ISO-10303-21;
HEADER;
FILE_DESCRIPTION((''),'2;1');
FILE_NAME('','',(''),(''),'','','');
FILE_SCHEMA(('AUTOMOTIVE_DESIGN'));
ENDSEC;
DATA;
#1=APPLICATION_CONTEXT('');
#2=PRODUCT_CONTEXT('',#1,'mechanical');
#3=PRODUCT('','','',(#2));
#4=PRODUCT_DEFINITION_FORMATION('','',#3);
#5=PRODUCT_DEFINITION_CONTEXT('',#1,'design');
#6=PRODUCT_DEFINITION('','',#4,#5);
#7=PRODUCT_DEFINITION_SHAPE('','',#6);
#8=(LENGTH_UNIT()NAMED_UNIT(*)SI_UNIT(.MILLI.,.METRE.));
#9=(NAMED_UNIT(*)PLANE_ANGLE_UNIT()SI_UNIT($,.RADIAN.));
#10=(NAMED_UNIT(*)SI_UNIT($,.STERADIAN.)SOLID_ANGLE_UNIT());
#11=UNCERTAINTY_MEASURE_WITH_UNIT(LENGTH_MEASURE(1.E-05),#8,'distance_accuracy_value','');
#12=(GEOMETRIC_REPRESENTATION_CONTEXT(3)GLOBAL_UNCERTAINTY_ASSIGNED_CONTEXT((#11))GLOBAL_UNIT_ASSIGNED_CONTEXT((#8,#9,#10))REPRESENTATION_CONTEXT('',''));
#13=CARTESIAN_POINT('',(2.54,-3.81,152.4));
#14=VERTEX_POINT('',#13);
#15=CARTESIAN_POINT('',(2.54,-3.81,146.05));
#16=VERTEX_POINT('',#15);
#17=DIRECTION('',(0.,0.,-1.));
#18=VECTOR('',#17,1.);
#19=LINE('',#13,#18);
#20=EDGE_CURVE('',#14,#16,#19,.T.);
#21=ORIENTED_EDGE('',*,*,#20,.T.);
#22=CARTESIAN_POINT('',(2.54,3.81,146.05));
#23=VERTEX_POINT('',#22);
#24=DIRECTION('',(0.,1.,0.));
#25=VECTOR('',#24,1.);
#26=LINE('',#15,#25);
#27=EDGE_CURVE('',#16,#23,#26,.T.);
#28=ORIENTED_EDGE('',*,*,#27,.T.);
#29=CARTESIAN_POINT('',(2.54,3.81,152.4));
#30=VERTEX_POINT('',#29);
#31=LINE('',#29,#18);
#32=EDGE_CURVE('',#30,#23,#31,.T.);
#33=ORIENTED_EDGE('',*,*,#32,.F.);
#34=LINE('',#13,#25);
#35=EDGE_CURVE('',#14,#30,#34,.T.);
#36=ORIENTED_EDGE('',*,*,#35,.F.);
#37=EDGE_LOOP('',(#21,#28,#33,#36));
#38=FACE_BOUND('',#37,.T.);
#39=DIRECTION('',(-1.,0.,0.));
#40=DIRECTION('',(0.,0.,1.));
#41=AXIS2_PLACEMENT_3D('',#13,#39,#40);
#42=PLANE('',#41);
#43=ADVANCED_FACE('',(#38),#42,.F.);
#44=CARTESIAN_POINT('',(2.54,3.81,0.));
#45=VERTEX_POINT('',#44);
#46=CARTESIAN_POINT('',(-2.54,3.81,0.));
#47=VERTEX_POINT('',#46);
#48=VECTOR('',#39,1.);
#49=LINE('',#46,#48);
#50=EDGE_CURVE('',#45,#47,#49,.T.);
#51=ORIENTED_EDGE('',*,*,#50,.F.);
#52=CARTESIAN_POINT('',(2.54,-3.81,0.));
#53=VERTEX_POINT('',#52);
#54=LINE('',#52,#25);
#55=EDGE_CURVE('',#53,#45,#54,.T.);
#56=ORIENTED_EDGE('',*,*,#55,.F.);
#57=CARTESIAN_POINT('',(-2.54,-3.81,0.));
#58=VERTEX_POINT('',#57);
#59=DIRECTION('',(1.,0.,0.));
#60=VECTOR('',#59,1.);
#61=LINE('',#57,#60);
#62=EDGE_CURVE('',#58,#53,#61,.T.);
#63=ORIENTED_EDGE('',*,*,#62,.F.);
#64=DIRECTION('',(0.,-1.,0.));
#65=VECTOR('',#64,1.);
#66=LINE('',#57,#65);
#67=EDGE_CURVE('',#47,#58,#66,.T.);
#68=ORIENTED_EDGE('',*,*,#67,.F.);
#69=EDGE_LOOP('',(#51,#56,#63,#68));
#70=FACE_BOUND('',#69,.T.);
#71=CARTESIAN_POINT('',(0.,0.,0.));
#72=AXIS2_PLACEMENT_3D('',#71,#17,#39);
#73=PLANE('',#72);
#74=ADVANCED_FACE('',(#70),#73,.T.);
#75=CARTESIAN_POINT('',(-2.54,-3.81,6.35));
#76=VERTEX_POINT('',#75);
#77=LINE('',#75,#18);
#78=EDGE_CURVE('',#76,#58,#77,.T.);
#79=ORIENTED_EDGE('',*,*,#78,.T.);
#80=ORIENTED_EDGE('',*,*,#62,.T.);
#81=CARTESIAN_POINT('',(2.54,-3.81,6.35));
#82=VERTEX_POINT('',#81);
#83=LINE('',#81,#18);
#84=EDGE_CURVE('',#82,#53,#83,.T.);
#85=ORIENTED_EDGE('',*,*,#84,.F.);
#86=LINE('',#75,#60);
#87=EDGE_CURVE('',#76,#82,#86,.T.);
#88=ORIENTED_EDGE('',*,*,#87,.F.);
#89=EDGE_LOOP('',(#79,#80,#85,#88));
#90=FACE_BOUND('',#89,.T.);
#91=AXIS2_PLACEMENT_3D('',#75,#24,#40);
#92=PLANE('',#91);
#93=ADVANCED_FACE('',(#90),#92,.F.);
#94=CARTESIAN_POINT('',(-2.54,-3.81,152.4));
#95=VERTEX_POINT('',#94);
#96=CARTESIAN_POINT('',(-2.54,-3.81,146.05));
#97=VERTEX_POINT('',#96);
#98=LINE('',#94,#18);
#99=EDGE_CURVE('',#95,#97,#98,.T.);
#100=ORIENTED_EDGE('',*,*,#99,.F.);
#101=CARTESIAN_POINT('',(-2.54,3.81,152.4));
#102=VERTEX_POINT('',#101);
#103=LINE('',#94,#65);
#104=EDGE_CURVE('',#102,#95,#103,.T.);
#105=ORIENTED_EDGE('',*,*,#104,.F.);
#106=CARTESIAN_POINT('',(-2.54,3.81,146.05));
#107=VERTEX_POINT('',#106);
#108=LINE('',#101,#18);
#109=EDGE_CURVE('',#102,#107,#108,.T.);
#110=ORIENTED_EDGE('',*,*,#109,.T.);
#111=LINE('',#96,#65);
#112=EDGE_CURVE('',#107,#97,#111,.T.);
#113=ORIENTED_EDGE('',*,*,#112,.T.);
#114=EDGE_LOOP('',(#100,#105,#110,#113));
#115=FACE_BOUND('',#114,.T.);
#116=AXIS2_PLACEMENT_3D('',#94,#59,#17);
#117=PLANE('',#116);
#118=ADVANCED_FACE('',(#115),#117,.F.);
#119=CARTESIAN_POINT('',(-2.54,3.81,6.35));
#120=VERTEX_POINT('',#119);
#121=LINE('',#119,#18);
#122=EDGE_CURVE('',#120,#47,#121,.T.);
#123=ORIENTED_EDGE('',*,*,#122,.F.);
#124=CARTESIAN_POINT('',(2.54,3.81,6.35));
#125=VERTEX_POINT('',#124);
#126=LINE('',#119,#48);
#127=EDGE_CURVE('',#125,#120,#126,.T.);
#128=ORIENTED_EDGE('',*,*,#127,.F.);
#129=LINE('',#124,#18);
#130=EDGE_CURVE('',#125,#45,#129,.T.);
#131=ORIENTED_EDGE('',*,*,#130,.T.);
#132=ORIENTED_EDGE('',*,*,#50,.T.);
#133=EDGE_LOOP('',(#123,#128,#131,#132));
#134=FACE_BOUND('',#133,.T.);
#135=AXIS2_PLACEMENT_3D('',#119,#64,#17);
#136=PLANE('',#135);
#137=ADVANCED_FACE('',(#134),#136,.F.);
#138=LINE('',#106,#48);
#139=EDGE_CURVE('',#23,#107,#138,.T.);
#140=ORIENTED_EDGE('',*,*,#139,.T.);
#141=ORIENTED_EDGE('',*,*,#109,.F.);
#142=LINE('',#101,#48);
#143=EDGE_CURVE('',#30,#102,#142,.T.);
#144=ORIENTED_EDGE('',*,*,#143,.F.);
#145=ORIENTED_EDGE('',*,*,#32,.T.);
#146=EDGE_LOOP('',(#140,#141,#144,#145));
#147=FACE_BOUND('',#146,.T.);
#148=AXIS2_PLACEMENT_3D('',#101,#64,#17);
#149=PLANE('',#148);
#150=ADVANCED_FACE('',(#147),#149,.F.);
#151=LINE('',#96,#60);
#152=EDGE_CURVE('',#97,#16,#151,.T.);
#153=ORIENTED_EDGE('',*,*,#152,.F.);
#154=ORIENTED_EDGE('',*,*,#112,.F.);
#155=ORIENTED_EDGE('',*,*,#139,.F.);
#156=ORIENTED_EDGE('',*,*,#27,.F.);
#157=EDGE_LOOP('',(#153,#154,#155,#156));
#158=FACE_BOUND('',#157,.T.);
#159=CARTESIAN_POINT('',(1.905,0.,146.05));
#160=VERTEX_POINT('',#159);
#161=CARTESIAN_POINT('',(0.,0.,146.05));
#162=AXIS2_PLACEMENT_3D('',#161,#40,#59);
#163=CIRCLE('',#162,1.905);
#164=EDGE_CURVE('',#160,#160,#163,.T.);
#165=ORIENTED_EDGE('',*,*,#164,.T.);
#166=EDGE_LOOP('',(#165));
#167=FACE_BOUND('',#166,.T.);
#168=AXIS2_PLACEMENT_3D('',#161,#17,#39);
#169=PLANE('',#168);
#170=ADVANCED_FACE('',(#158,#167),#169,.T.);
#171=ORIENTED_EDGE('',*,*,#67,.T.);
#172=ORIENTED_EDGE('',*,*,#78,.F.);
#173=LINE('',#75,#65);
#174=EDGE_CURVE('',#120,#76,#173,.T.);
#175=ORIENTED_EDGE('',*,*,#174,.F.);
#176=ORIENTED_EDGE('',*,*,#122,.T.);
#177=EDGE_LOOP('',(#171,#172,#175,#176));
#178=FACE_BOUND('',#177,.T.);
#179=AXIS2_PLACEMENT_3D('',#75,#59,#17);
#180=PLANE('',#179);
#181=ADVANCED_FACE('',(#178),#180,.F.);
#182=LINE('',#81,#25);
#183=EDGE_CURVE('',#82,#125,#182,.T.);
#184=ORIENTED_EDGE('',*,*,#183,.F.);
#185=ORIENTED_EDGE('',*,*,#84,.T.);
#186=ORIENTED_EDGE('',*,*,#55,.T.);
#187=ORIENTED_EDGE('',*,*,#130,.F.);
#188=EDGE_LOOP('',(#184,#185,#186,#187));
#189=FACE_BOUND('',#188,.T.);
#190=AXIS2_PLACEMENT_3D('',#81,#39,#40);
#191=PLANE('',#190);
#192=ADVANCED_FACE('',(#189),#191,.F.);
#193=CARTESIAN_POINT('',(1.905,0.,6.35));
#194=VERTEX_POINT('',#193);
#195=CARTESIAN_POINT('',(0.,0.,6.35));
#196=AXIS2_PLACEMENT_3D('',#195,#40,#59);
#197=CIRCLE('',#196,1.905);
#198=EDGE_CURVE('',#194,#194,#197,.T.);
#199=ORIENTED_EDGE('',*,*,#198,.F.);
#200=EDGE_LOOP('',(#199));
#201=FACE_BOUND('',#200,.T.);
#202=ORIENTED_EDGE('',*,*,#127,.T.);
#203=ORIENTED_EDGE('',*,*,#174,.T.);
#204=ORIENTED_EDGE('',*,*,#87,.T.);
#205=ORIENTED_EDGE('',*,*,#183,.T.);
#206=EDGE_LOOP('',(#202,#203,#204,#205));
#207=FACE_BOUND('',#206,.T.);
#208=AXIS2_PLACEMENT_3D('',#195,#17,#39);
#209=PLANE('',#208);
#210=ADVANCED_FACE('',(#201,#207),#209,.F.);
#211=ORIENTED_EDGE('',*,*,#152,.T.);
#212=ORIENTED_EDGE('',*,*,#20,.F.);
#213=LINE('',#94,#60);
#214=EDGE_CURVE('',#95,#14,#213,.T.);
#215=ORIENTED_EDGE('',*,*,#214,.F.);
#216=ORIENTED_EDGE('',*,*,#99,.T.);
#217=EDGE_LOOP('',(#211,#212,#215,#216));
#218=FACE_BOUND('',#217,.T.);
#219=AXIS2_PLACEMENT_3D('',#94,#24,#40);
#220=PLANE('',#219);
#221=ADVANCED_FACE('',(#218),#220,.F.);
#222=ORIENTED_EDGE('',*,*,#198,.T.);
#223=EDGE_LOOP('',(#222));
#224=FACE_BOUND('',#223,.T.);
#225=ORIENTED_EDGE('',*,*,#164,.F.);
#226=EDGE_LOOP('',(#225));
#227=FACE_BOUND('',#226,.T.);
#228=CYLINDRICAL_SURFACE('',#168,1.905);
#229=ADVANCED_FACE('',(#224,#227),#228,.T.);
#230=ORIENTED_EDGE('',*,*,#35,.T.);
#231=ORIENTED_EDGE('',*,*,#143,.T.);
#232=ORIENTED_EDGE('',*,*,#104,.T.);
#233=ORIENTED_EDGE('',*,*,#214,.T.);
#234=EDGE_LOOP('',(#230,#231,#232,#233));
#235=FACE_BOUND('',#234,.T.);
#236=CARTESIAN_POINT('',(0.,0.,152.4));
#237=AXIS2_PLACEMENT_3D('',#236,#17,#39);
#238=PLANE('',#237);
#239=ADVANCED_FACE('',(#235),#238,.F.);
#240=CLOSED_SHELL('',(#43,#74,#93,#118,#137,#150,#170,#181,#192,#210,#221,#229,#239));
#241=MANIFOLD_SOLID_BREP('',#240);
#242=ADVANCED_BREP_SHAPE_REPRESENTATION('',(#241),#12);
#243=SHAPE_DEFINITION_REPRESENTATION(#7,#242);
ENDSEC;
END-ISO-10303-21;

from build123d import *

# Parameters (mm, degrees)
SKETCH2_W           = 5.08
SKETCH2_H           = 7.62
BOSS_EXTRUDE1_DEPTH = 6.35
SKETCH3_R           = 1.905
BOSS_EXTRUDE2_DEPTH = 139.7
SKETCH4_W           = 5.08
SKETCH4_H           = 7.62
BOSS_EXTRUDE3_DEPTH = 6.35


with BuildPart() as part:
    # Sketch2 → Boss-Extrude1 (new body)
    with BuildSketch(Plane.XY):
        Rectangle(SKETCH2_W, SKETCH2_H)
    extrude(amount=BOSS_EXTRUDE1_DEPTH)

    # Sketch3 → Boss-Extrude2 (add)
    with BuildSketch(Plane.XY.offset(6.35)):
        Circle(SKETCH3_R)
    extrude(amount=BOSS_EXTRUDE2_DEPTH)

    # Sketch4 → Boss-Extrude3 (add)
    with BuildSketch(Plane.XY.offset(146.05)):
        Rectangle(SKETCH4_W, SKETCH4_H)
    extrude(amount=BOSS_EXTRUDE3_DEPTH)


solid = part.part
